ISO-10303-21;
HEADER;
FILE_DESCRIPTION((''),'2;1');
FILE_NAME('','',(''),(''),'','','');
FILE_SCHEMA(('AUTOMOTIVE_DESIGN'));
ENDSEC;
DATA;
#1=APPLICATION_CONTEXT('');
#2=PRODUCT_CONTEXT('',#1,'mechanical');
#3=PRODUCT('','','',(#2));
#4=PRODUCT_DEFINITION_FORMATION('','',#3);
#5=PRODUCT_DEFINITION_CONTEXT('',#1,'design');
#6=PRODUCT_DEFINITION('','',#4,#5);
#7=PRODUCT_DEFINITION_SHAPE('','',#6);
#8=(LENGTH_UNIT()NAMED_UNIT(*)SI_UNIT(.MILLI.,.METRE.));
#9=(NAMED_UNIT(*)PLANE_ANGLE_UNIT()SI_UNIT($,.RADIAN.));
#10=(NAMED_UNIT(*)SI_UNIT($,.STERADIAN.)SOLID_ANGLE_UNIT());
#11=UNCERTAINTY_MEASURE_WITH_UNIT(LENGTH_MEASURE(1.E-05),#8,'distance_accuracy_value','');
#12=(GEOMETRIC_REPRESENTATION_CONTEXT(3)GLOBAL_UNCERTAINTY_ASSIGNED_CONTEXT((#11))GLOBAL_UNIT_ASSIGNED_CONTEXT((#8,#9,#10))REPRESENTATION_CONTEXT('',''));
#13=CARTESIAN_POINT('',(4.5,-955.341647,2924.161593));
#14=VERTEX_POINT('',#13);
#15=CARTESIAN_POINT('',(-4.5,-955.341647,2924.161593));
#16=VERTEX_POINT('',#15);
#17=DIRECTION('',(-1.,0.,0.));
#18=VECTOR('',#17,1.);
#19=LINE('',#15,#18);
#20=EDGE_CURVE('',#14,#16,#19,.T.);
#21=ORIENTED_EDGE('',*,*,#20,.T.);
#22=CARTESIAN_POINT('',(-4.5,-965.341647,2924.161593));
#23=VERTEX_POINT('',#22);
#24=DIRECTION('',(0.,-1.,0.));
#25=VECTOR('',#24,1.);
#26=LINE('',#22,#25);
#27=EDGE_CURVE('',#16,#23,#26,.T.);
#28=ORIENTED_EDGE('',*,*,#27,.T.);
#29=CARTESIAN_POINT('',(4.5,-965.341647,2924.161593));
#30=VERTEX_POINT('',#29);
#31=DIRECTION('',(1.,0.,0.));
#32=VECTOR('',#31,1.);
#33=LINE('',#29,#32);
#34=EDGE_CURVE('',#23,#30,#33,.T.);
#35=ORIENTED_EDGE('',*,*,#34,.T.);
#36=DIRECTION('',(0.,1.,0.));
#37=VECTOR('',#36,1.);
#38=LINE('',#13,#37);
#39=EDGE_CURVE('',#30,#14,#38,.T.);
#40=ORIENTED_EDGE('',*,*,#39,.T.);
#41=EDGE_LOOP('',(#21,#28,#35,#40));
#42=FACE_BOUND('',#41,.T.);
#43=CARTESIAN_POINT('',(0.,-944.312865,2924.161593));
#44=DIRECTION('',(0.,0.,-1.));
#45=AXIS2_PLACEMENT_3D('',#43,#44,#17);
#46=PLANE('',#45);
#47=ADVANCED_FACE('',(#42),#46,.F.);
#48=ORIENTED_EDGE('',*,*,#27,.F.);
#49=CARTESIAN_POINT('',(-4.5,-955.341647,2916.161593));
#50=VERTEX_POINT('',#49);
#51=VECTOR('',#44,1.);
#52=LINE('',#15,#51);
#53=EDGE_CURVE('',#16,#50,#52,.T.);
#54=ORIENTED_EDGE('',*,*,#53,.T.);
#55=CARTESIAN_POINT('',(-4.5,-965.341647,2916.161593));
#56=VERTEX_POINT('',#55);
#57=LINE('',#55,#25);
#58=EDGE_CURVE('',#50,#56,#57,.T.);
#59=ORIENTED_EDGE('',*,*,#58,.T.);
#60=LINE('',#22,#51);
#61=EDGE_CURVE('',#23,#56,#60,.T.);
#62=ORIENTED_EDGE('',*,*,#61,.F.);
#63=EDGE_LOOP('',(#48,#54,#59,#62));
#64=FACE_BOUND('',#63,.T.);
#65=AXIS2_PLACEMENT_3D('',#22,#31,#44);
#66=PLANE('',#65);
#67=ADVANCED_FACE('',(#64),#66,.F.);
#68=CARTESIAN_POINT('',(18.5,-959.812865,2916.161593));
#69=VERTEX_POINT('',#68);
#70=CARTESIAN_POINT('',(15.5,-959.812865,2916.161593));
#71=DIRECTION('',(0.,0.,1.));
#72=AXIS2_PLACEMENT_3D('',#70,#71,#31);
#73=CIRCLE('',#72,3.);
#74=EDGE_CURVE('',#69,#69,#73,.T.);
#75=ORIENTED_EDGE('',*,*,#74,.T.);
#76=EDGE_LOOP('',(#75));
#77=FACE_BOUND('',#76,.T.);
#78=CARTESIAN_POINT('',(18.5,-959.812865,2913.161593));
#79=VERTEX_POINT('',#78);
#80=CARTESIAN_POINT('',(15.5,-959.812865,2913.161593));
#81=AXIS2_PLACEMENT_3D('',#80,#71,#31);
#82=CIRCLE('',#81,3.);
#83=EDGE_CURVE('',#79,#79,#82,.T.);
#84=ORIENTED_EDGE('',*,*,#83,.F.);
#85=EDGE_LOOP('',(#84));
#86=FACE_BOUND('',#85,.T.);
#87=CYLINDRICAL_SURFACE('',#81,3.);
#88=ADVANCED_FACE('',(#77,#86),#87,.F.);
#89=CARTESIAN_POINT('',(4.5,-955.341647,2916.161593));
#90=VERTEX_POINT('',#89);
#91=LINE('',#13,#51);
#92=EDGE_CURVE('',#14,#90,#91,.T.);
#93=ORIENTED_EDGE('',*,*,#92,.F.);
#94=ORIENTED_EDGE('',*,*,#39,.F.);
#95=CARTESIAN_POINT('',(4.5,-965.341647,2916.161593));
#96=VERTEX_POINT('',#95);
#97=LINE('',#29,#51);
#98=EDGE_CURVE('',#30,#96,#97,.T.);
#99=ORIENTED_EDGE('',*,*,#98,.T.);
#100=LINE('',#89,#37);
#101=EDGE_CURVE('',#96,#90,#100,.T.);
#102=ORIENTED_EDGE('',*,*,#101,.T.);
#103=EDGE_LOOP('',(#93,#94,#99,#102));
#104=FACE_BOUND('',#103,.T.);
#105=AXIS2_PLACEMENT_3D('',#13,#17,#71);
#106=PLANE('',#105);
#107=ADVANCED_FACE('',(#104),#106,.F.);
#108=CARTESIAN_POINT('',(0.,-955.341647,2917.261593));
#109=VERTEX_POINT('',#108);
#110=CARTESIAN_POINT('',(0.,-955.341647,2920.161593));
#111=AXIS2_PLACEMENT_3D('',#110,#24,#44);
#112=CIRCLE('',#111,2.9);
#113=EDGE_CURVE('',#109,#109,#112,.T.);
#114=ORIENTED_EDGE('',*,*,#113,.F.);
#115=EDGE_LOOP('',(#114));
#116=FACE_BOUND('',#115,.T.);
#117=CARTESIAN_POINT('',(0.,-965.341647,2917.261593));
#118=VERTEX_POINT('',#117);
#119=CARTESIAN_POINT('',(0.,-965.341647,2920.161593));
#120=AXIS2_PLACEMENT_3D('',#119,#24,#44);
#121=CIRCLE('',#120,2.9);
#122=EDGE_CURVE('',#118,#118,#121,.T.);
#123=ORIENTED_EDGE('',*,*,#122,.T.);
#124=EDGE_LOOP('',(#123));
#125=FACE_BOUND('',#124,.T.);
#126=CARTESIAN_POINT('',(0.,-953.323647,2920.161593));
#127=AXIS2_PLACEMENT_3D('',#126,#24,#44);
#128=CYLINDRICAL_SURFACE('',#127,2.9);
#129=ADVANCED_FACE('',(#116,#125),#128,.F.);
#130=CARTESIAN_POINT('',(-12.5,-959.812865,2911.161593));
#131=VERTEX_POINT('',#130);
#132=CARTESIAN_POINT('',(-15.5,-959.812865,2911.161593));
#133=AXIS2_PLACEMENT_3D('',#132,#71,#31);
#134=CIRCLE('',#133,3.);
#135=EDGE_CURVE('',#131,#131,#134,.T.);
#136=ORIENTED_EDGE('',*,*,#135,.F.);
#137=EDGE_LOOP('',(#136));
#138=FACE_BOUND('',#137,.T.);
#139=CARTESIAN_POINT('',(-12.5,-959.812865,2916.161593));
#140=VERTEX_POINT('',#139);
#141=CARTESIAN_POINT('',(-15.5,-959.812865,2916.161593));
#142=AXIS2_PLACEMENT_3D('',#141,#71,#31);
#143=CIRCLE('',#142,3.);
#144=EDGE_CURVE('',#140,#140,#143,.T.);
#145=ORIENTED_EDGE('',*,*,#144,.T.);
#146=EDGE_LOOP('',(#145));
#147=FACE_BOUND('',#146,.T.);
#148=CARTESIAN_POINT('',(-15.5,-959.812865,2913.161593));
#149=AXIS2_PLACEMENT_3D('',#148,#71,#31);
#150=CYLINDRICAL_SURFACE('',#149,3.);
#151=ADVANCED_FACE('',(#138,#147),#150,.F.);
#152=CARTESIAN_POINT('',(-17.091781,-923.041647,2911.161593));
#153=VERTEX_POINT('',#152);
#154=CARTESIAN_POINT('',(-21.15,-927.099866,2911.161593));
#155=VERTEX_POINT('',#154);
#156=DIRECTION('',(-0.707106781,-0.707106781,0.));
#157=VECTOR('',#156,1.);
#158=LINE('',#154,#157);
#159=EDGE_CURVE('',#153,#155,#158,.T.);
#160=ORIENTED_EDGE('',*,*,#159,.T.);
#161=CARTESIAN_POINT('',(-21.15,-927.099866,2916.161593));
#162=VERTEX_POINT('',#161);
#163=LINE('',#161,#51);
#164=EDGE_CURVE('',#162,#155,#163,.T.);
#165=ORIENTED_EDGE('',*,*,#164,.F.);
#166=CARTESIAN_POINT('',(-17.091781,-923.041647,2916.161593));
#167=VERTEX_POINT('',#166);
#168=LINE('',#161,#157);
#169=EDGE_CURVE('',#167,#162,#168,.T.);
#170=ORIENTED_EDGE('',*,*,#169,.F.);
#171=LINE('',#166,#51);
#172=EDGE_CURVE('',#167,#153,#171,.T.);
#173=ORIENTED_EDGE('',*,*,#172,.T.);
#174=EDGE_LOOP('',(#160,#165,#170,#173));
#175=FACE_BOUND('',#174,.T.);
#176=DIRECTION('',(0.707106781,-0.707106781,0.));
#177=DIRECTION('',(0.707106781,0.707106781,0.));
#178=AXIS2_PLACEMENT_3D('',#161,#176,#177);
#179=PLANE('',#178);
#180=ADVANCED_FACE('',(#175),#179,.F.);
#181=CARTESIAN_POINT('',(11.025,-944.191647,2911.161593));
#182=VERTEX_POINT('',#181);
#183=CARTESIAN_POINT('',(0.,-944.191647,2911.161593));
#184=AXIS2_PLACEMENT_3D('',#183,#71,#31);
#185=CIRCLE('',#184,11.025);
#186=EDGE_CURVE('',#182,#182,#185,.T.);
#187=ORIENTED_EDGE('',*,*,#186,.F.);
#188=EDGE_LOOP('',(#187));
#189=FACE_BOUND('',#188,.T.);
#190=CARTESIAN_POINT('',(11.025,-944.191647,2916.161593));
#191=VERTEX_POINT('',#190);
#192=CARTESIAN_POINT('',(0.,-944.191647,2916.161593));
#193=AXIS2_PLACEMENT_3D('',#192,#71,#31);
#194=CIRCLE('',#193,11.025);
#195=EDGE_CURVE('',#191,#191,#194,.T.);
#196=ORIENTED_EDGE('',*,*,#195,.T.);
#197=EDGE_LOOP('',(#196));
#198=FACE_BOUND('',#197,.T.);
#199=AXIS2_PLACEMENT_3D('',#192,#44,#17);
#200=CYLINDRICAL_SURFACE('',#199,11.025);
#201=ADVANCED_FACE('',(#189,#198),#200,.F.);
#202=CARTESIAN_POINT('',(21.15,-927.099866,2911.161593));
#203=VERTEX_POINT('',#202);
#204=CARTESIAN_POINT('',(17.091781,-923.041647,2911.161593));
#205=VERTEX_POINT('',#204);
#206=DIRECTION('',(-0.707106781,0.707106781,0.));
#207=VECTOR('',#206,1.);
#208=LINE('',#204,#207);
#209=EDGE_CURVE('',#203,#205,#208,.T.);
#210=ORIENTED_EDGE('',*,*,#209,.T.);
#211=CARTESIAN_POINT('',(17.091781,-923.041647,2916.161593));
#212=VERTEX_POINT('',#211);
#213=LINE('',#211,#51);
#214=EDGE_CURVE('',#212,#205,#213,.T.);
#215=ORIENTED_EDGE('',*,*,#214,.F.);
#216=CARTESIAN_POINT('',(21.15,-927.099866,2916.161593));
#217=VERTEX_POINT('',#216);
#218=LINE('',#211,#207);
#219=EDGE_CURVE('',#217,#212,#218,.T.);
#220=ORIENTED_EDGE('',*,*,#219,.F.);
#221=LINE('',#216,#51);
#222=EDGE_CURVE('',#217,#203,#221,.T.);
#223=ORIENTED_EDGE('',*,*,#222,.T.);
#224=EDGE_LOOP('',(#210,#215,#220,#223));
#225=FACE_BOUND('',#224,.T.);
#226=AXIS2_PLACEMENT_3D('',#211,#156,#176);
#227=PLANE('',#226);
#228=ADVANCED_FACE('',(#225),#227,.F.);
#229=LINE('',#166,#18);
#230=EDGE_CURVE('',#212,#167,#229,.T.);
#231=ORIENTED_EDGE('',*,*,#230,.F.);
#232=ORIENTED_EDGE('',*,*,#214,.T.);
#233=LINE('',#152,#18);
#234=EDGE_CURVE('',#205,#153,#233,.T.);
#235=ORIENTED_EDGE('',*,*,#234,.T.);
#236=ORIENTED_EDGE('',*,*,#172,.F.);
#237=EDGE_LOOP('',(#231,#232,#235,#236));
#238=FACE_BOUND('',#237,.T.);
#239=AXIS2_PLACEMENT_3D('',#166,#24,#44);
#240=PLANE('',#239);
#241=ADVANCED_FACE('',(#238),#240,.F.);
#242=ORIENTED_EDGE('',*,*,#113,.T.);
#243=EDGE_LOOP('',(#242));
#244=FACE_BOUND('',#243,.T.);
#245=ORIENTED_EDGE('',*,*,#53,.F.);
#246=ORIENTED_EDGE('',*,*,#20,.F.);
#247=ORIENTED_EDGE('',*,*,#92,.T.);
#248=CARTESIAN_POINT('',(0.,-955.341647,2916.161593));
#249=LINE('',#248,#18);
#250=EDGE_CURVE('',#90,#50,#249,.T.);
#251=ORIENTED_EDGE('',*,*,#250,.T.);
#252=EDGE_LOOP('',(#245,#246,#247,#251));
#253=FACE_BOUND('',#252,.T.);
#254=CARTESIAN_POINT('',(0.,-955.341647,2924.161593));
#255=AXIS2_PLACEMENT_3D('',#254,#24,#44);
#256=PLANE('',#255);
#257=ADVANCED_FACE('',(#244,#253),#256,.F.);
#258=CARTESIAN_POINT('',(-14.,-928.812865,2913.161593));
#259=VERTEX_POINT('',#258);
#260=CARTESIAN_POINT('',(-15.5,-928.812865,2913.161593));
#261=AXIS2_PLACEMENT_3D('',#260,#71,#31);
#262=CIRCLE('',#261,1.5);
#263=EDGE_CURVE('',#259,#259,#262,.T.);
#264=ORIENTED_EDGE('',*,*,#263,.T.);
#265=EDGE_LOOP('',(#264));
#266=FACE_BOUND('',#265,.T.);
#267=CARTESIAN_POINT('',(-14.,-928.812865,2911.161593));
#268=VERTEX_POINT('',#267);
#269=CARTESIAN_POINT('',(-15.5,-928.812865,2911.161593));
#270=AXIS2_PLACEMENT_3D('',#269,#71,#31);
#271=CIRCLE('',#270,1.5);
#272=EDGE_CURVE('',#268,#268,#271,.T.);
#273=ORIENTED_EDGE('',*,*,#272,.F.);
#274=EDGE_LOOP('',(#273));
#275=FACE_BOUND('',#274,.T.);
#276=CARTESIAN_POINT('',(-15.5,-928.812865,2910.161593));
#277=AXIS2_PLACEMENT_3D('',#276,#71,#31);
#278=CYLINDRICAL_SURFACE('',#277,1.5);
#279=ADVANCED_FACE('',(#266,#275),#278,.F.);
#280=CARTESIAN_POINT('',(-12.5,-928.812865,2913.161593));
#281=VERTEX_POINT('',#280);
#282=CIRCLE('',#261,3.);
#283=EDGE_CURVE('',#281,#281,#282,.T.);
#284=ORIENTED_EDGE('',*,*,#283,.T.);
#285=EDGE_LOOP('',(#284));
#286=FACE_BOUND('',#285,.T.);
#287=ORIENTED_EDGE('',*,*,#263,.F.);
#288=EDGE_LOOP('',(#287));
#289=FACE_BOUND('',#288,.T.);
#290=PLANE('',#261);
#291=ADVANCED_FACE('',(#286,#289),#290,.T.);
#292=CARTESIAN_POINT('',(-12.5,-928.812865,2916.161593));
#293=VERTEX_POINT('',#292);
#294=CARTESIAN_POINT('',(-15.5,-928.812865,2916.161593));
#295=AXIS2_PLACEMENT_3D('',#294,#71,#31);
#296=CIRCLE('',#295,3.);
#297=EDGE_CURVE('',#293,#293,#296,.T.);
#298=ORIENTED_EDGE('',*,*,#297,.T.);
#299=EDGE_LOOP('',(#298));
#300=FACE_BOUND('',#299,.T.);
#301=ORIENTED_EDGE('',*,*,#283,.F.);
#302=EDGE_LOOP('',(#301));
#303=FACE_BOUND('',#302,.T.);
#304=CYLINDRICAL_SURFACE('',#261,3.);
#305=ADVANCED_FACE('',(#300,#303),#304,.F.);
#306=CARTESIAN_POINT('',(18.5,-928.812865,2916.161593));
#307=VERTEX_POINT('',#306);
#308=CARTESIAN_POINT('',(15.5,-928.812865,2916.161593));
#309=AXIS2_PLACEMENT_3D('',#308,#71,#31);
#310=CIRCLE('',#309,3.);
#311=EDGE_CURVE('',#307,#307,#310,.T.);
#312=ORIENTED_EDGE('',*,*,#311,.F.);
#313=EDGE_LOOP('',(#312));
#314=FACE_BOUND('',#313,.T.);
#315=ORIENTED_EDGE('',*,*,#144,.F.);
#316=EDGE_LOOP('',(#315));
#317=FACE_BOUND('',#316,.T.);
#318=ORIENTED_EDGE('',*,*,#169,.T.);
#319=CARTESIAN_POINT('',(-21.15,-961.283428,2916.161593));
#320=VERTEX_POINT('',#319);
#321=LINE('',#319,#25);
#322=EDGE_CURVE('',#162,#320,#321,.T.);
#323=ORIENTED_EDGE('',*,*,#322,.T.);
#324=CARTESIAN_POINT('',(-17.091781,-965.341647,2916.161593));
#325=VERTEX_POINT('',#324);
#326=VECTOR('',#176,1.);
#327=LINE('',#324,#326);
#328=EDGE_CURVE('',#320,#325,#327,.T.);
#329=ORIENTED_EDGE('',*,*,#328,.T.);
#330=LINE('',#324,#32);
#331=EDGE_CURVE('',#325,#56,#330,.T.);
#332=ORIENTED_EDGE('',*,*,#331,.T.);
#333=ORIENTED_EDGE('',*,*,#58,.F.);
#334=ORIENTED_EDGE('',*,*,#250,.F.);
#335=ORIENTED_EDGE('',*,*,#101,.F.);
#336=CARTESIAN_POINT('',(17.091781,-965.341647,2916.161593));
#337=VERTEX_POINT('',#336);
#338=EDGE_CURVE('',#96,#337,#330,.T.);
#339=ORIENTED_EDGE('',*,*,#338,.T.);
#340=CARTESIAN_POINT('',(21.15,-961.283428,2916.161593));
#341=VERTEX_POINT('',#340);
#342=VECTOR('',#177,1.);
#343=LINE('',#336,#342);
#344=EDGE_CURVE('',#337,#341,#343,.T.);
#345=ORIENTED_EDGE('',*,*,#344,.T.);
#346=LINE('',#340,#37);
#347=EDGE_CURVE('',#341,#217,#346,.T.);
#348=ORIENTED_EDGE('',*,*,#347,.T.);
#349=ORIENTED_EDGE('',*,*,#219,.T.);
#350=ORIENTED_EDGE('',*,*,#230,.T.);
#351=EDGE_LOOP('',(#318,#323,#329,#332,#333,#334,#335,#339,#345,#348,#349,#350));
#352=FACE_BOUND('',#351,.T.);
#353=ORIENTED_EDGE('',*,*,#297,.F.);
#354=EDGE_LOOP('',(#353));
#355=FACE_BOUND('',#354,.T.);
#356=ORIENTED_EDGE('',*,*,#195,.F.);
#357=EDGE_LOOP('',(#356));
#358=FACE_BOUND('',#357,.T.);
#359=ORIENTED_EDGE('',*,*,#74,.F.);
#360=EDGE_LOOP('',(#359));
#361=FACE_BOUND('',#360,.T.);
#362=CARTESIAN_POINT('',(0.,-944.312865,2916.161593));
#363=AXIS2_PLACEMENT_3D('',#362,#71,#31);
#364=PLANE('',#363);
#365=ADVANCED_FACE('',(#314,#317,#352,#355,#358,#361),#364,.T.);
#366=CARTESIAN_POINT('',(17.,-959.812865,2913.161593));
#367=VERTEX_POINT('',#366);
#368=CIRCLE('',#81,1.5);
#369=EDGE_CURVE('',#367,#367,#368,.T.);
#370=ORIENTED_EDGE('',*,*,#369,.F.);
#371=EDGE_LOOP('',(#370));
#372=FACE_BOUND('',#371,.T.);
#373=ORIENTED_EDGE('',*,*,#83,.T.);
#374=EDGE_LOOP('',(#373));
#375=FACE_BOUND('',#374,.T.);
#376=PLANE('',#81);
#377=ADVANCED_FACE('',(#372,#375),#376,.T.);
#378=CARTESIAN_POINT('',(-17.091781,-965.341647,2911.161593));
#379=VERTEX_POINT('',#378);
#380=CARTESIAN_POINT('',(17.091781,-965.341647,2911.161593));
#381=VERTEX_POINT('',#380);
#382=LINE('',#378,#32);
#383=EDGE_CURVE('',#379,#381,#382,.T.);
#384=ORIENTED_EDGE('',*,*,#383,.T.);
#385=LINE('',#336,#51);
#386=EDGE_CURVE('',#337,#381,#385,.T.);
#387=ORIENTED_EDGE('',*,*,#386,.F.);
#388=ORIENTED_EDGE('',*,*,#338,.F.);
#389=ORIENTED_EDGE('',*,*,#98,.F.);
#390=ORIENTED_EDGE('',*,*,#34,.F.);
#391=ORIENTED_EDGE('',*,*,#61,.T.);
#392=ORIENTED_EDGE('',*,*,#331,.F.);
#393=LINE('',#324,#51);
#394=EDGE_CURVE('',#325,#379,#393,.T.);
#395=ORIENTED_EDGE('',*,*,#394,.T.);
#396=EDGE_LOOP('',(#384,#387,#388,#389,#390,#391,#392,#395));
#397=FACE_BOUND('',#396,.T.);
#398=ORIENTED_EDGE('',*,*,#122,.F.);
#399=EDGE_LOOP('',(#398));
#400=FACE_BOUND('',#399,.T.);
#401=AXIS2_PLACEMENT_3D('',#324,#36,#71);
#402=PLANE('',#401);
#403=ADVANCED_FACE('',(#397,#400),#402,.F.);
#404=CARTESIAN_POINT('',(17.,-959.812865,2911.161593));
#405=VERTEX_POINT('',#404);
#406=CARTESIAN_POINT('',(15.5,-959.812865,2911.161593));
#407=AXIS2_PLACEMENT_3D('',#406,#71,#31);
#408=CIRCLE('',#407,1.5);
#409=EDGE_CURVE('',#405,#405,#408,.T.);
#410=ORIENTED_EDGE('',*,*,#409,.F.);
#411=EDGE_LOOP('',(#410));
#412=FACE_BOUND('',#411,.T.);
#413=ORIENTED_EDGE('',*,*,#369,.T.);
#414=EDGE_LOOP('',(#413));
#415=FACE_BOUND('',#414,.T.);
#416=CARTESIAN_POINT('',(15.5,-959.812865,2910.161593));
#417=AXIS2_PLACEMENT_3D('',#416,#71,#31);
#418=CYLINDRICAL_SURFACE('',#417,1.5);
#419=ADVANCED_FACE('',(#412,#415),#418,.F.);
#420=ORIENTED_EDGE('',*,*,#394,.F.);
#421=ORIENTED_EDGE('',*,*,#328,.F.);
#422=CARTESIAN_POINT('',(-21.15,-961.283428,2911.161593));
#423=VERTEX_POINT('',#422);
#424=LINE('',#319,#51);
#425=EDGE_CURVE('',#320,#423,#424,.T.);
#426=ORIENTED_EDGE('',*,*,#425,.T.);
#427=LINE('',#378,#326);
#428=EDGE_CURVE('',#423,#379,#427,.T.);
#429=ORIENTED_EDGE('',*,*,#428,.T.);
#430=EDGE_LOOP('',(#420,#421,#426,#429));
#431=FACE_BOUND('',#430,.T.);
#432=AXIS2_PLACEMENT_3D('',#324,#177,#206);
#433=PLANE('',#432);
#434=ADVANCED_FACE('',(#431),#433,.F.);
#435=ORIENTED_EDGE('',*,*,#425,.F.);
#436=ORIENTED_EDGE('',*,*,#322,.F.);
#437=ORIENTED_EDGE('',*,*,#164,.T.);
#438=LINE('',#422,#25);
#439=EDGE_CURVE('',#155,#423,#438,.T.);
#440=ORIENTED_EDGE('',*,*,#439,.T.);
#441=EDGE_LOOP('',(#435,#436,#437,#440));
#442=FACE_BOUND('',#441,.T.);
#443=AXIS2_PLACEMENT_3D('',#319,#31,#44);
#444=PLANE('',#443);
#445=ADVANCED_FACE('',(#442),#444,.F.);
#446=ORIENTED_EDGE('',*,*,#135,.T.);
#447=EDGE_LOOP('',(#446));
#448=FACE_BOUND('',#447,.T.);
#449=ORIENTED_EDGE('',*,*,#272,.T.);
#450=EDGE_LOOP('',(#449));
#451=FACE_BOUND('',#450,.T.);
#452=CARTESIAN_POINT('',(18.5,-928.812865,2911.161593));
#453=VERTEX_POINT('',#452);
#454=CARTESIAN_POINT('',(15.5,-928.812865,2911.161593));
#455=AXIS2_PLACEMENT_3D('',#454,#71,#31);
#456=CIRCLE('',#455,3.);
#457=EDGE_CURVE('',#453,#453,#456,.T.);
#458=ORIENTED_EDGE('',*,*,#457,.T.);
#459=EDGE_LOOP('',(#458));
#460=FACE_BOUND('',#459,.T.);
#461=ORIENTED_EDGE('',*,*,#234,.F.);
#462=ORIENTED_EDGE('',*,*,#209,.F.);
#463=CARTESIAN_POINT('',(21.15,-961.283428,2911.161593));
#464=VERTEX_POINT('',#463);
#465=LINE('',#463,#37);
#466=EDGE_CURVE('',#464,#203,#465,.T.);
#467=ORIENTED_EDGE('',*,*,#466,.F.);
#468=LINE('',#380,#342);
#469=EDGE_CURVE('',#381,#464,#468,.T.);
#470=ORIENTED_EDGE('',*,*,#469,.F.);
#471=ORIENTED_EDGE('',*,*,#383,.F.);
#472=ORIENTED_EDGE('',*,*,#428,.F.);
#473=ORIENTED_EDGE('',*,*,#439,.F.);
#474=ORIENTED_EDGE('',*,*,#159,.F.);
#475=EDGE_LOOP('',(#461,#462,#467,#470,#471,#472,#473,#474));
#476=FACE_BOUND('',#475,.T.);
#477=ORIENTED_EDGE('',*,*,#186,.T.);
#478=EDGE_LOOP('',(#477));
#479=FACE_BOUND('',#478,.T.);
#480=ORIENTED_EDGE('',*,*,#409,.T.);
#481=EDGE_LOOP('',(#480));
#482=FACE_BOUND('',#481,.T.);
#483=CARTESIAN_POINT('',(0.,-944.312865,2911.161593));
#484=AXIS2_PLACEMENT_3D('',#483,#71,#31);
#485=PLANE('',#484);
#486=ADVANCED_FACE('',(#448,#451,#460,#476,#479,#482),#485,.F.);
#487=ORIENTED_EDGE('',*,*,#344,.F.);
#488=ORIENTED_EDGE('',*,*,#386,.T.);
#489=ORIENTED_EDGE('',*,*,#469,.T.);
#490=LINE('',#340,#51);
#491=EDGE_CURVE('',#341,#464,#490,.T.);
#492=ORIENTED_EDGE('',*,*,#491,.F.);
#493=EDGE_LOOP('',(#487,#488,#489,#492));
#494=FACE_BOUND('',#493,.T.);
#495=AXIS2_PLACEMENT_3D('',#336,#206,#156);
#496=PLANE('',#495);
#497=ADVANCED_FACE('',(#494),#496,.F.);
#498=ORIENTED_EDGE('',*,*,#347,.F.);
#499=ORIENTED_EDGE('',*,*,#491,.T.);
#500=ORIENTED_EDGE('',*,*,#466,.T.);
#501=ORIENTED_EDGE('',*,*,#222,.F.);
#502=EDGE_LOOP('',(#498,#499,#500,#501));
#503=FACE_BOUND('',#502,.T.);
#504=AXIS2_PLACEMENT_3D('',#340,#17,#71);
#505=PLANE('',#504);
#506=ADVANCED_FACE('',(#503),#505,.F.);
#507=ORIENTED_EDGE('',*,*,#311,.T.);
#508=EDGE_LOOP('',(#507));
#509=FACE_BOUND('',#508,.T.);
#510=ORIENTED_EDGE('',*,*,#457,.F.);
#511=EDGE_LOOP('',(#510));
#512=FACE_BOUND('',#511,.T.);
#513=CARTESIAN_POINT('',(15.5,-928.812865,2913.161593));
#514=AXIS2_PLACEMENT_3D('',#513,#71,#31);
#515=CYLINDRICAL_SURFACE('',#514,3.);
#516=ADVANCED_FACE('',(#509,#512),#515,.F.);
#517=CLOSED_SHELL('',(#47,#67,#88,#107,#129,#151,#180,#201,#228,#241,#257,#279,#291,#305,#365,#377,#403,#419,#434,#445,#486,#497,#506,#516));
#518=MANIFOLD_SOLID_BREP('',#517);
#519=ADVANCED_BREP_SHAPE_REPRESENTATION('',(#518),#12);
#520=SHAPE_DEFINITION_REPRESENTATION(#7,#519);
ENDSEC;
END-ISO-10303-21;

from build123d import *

# Parameters (mm, degrees)
SKETCH1_R           = 11025
BOSS_EXTRUDE1_DEPTH = 5000
BOSS_EXTRUDE2_DEPTH = 8000
SKETCH4_R           = 3000
CUT_EXTRUDE2_DEPTH  = 3000
SKETCH5_R           = 1500
CUT_EXTRUDE3_DEPTH  = 3000
SKETCH6_R           = 3000
CUT_EXTRUDE4_DEPTH  = 3000
SKETCH3_R           = 2900
CUT_EXTRUDE1_DEPTH  = 12018
SCALE6_SCALE        = 0.001


with BuildPart() as part:
    # Sketch1 → Boss-Extrude1 (new body)
    with BuildSketch(Plane.XY):
        Polygon((-21150, 17212.99935917), (-17091.781053823, 21271.218305346), (17091.781053823, 21271.218305346), (21150, 17212.99935917), (21150, -16970.562748477), (17091.781053823, -21028.781694654), (-17091.781053823, -21028.781694654), (-21150, -16970.562748477), align=None)
        with Locations((0, 121.218305346)):
            Circle(SKETCH1_R, mode=Mode.SUBTRACT)
    extrude(amount=BOSS_EXTRUDE1_DEPTH)

    # Sketch2 → Boss-Extrude2 (add)
    with BuildSketch(Plane.XY.offset(5000)):
        Polygon((0, -11028.781694654), (4500, -11028.781694654), (4500, -21028.781694654), (-4500, -21028.781694654), (-4500, -11028.781694654), align=None)
    extrude(amount=BOSS_EXTRUDE2_DEPTH)

    # Sketch4 → Cut-Extrude2 (cut)
    with BuildSketch(Plane.XY.offset(5000)):
        with Locations((-15500, 15500)):
            Circle(SKETCH4_R)
        with Locations((15500, 15500)):
            Circle(SKETCH4_R)
        with Locations((15500, -15500)):
            Circle(SKETCH4_R)
        with Locations((-15500, -15500)):
            Circle(SKETCH4_R)
    extrude(amount=-CUT_EXTRUDE2_DEPTH, mode=Mode.SUBTRACT)

    # Sketch5 → Cut-Extrude3 (cut)
    with BuildSketch(Plane.XY.offset(2000)):
        with Locations((-15500, 15500)):
            Circle(SKETCH5_R)
        with Locations((15500, -15500)):
            Circle(SKETCH5_R)
    extrude(amount=-CUT_EXTRUDE3_DEPTH, mode=Mode.SUBTRACT)

    # Sketch6 → Cut-Extrude4 (cut)
    with BuildSketch(Plane.XY.offset(2000)):
        with Locations((15500, 15500)):
            Circle(SKETCH6_R)
        with Locations((-15500, -15500)):
            Circle(SKETCH6_R)
    extrude(amount=-CUT_EXTRUDE4_DEPTH, mode=Mode.SUBTRACT)

    # Sketch3 → Cut-Extrude1 (cut)
    with BuildSketch(Plane.XZ.offset(21028.781694654)):
        with Locations(Location((0, 9000, 0), (0, 0, 270))):
            Circle(SKETCH3_R)
    extrude(amount=-CUT_EXTRUDE1_DEPTH, mode=Mode.SUBTRACT)


with BuildPart() as part_1:
    # Scale6: scaled about (0, -945.258123271, 2914.075668663)
    add(part.part.scale(SCALE6_SCALE).moved(Location((0, -944.312865148, 2911.161592994))))


solid = part_1.part
